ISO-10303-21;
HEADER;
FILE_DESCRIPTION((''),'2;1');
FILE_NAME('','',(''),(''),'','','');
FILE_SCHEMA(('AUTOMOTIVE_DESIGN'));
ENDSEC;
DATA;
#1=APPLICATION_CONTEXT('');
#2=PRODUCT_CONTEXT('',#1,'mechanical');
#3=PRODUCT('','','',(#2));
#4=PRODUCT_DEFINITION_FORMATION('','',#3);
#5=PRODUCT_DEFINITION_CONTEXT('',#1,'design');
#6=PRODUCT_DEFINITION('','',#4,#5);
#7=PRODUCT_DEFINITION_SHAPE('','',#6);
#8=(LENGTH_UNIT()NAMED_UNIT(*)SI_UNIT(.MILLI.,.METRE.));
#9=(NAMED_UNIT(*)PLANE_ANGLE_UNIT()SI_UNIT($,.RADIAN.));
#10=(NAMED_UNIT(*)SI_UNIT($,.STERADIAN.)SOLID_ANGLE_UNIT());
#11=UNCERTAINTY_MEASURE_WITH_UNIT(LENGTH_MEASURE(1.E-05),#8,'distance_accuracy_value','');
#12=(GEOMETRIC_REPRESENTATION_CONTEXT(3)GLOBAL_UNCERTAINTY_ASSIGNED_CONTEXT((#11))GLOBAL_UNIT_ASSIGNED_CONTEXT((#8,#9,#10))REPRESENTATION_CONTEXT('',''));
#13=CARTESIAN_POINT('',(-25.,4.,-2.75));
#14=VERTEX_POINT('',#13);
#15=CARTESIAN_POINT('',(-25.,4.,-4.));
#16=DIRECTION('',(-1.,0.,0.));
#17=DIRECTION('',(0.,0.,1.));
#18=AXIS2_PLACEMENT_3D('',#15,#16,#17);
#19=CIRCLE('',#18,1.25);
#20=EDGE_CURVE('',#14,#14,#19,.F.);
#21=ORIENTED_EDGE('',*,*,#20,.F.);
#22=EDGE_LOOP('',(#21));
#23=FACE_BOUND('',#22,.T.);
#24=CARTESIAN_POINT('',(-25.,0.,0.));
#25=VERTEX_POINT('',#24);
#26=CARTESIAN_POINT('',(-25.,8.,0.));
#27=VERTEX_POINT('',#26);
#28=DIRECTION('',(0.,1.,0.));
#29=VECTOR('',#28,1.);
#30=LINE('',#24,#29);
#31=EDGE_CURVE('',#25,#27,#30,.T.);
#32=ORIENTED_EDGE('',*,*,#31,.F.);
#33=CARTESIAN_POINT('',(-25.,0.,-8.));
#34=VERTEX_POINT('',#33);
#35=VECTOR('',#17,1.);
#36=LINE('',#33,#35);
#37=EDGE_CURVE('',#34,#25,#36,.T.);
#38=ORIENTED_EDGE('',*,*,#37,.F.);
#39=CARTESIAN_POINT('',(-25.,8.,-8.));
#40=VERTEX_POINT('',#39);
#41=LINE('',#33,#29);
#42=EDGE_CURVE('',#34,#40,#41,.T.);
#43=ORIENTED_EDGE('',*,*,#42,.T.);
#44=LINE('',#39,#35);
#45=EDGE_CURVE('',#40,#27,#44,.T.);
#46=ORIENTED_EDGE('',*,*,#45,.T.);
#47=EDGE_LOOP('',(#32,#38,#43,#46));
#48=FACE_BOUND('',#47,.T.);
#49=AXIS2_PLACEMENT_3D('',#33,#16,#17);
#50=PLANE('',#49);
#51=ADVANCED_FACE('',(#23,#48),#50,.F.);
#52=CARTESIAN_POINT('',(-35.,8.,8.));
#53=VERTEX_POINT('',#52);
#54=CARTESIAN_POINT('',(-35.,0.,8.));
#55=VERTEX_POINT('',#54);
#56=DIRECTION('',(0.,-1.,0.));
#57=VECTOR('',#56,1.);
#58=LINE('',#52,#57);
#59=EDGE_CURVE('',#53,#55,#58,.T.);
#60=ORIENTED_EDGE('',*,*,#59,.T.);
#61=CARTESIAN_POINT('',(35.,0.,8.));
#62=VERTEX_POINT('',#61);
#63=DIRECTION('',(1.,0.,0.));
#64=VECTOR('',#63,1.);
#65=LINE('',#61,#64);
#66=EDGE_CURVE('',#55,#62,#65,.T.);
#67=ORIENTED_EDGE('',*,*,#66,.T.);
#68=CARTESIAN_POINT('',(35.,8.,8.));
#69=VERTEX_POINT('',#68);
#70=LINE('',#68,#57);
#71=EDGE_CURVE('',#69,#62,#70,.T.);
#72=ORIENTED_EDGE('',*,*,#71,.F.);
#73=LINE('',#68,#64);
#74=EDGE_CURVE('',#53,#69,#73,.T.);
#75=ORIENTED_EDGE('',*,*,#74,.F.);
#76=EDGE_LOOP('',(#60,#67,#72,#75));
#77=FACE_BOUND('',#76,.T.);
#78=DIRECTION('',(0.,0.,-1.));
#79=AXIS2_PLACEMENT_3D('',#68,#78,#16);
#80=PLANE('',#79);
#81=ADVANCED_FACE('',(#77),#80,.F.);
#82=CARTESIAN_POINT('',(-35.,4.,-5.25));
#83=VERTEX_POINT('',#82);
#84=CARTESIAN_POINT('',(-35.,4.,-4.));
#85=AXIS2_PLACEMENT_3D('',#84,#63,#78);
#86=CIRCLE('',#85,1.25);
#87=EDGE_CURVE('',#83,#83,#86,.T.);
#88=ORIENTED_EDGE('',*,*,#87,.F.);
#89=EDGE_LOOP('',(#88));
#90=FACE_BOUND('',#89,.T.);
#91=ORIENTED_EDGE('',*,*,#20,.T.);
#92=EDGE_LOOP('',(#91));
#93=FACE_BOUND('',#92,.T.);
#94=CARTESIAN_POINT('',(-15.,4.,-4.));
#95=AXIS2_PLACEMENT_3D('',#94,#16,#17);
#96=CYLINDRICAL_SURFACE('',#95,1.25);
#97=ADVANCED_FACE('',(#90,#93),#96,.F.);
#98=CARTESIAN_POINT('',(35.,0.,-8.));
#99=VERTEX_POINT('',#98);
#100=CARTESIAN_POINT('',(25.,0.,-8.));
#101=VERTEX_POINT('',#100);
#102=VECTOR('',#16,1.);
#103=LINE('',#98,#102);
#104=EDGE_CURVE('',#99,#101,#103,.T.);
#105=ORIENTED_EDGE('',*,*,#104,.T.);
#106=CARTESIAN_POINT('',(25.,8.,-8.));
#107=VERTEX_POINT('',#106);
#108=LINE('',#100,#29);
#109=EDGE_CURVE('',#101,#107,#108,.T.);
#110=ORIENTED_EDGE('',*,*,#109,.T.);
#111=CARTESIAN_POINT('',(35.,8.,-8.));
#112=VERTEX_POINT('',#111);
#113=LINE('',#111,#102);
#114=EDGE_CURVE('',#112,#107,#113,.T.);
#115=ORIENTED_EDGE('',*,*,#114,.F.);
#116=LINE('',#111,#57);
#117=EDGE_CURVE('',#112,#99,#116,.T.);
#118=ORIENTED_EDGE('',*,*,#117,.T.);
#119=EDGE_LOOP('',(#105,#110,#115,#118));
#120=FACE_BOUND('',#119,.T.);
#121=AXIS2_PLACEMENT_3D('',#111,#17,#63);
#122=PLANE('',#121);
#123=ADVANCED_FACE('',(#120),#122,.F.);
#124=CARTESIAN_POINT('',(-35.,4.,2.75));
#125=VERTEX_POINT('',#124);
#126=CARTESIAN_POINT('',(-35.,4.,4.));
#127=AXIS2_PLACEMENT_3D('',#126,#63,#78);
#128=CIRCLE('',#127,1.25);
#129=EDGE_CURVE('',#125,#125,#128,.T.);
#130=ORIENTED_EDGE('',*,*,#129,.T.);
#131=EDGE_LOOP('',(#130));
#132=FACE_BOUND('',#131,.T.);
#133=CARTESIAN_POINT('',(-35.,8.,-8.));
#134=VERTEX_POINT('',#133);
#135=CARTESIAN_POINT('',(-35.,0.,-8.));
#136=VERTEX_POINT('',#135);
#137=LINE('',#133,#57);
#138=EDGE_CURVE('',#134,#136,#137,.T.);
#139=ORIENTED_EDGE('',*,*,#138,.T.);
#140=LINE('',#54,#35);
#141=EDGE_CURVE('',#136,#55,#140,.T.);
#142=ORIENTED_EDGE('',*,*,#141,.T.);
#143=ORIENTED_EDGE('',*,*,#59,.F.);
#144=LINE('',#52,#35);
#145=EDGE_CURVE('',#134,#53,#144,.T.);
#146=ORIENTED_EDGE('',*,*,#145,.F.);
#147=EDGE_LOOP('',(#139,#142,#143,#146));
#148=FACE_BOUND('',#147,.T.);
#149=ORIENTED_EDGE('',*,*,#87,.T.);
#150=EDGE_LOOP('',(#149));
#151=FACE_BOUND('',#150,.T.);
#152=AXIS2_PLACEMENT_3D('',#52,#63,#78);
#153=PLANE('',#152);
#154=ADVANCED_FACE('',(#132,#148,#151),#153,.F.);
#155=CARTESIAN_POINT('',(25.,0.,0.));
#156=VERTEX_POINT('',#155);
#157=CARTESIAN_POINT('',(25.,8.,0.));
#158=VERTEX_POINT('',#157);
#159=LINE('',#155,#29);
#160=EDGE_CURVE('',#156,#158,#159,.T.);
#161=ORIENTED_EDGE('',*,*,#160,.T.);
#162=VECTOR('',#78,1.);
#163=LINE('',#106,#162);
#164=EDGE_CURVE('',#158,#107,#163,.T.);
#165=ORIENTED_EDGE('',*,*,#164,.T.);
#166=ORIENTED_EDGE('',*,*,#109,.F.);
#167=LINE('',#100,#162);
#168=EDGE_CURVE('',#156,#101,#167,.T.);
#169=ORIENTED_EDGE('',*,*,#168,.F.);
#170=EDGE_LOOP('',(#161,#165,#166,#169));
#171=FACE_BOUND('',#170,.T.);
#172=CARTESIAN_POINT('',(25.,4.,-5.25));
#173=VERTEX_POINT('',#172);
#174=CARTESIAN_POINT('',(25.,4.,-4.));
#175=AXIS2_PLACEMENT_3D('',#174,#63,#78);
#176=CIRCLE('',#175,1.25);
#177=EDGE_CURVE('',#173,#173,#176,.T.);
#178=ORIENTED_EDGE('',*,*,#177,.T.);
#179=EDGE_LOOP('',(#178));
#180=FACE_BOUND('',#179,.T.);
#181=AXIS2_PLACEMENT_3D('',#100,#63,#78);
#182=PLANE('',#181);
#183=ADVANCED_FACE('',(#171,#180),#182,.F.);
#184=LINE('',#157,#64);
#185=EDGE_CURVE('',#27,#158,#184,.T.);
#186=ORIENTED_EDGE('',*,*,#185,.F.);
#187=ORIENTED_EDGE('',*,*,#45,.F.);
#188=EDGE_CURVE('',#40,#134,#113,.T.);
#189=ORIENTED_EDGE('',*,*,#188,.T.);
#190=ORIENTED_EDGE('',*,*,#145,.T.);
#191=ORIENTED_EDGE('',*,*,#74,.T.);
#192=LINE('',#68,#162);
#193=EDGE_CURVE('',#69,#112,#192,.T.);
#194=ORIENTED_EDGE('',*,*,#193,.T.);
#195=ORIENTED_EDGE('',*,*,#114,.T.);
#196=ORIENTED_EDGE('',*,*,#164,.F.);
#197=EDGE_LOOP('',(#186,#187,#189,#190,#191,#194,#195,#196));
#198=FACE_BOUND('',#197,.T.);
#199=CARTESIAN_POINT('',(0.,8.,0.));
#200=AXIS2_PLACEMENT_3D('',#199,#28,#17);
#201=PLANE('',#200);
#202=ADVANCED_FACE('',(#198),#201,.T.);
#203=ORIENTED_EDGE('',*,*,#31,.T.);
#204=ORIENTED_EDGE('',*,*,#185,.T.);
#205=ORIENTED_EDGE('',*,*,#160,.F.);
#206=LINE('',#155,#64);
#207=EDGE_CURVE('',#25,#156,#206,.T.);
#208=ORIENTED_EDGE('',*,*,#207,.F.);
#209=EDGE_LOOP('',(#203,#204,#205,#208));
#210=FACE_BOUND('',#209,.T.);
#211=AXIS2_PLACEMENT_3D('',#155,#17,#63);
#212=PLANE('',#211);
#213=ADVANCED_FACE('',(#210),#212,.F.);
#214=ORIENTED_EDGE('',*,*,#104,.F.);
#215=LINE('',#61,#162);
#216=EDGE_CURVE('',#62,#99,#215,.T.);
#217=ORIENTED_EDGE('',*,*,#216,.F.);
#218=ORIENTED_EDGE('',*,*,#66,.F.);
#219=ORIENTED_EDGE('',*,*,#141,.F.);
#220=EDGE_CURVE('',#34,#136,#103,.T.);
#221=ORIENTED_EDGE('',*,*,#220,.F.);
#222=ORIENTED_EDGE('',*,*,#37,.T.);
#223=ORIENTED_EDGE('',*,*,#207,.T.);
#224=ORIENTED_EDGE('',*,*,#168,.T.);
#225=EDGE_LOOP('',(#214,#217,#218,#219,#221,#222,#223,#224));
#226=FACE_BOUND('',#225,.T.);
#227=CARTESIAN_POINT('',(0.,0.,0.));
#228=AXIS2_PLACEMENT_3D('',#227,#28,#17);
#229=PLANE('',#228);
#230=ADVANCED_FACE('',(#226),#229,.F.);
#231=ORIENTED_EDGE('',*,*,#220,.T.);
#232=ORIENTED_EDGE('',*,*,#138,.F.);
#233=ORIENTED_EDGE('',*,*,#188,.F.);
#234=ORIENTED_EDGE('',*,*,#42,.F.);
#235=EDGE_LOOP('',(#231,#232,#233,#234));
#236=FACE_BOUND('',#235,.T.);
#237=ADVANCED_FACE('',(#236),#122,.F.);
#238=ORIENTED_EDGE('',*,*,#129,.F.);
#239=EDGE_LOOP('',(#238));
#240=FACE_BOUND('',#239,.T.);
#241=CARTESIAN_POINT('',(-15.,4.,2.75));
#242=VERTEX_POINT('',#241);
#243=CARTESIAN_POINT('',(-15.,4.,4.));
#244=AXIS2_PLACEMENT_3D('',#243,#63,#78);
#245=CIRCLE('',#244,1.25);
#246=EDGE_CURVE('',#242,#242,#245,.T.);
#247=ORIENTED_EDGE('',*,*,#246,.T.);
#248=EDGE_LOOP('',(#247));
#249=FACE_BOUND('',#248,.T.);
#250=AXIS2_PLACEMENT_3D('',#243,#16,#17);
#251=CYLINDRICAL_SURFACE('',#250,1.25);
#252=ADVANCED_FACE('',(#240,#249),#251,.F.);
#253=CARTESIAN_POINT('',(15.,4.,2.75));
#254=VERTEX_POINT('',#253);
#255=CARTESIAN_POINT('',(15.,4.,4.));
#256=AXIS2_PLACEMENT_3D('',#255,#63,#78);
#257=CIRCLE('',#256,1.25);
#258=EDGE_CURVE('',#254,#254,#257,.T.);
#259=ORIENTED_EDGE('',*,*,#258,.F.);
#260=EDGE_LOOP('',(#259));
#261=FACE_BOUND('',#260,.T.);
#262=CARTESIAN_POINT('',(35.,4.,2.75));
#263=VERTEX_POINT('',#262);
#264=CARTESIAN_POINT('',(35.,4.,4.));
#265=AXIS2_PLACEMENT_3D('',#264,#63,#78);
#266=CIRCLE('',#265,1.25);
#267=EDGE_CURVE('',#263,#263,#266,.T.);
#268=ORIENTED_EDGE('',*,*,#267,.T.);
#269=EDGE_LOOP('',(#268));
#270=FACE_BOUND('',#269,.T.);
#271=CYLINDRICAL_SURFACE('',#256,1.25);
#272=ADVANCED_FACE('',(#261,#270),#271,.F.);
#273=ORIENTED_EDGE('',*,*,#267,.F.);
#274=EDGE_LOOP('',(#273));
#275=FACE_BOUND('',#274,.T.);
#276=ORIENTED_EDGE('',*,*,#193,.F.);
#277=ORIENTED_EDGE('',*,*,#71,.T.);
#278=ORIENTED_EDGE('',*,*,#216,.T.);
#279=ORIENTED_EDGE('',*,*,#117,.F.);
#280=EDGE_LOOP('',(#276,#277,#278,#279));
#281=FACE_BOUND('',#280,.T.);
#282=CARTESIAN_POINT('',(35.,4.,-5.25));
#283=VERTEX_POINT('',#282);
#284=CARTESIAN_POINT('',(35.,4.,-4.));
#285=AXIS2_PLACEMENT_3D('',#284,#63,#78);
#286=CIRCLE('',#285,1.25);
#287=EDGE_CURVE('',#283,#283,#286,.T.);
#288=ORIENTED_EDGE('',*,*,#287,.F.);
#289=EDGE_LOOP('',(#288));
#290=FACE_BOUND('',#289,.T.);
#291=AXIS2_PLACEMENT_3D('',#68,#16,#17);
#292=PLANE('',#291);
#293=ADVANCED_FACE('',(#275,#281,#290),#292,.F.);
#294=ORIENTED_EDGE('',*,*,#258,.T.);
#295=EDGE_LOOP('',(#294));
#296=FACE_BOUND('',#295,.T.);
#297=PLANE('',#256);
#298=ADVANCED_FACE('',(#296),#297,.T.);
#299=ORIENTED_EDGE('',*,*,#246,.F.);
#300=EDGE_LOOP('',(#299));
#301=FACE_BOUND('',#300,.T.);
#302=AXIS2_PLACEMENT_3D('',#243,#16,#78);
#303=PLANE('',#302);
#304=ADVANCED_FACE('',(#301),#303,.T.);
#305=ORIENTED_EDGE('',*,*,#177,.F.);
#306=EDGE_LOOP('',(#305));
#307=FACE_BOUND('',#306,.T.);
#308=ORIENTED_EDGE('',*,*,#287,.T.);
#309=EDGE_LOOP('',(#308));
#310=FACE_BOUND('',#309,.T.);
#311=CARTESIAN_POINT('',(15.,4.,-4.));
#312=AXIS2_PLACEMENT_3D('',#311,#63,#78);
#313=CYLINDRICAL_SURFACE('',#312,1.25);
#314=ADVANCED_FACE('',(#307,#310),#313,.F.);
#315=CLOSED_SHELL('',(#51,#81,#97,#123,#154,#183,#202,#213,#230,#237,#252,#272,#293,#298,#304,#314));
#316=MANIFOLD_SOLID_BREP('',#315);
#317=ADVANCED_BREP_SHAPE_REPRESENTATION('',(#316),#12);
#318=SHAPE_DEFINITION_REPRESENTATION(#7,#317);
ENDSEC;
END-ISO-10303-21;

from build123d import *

# Parameters (mm, degrees)
SKETCH_1_W          = 70
SKETCH_1_H          = 16
EXTRUDE_1_DEPTH     = 8
SKETCH_2_W          = 50
SKETCH_2_H          = 8
CUT_EXTRUDE_1_DEPTH = 37.783148315
SKETCH_3_R          = 1.25
CUT_EXTRUDE_2_DEPTH = 20


with BuildPart() as part:
    # 草图1 → 凸台-拉伸1 (new body)
    with BuildSketch(Plane(origin=(0, 0, 0), x_dir=(1, 0, 0), z_dir=(0, 1, 0))):
        Rectangle(SKETCH_1_W, SKETCH_1_H)
    extrude(amount=EXTRUDE_1_DEPTH)

    # 草图2 → 切除-拉伸1 (cut, through all)
    with BuildSketch(Plane(origin=(0, 8, 0), x_dir=(1, 0, 0), z_dir=(0, 1, 0))):
        with Locations((0, 4)):
            Rectangle(SKETCH_2_W, SKETCH_2_H)
    extrude(amount=-CUT_EXTRUDE_1_DEPTH, mode=Mode.SUBTRACT)

    # 草图3 → 切除-拉伸2 (cut)
    with BuildSketch(Plane(origin=(35, 0, 0), x_dir=(0, 0, -1), z_dir=(1, 0, 0))):
        with Locations((-4, 4)):
            Circle(SKETCH_3_R)
        with Locations((4, 4)):
            Circle(SKETCH_3_R)
    cut_extrude_2 = extrude(amount=-CUT_EXTRUDE_2_DEPTH, mode=Mode.SUBTRACT)

    # 镜向1: 切除-拉伸2 across plane
    add(cut_extrude_2.mirror(Plane(origin=(0, 0, 0), x_dir=(0, 0, 1), z_dir=(1, 0, 0))), mode=Mode.SUBTRACT)


solid = part.part
